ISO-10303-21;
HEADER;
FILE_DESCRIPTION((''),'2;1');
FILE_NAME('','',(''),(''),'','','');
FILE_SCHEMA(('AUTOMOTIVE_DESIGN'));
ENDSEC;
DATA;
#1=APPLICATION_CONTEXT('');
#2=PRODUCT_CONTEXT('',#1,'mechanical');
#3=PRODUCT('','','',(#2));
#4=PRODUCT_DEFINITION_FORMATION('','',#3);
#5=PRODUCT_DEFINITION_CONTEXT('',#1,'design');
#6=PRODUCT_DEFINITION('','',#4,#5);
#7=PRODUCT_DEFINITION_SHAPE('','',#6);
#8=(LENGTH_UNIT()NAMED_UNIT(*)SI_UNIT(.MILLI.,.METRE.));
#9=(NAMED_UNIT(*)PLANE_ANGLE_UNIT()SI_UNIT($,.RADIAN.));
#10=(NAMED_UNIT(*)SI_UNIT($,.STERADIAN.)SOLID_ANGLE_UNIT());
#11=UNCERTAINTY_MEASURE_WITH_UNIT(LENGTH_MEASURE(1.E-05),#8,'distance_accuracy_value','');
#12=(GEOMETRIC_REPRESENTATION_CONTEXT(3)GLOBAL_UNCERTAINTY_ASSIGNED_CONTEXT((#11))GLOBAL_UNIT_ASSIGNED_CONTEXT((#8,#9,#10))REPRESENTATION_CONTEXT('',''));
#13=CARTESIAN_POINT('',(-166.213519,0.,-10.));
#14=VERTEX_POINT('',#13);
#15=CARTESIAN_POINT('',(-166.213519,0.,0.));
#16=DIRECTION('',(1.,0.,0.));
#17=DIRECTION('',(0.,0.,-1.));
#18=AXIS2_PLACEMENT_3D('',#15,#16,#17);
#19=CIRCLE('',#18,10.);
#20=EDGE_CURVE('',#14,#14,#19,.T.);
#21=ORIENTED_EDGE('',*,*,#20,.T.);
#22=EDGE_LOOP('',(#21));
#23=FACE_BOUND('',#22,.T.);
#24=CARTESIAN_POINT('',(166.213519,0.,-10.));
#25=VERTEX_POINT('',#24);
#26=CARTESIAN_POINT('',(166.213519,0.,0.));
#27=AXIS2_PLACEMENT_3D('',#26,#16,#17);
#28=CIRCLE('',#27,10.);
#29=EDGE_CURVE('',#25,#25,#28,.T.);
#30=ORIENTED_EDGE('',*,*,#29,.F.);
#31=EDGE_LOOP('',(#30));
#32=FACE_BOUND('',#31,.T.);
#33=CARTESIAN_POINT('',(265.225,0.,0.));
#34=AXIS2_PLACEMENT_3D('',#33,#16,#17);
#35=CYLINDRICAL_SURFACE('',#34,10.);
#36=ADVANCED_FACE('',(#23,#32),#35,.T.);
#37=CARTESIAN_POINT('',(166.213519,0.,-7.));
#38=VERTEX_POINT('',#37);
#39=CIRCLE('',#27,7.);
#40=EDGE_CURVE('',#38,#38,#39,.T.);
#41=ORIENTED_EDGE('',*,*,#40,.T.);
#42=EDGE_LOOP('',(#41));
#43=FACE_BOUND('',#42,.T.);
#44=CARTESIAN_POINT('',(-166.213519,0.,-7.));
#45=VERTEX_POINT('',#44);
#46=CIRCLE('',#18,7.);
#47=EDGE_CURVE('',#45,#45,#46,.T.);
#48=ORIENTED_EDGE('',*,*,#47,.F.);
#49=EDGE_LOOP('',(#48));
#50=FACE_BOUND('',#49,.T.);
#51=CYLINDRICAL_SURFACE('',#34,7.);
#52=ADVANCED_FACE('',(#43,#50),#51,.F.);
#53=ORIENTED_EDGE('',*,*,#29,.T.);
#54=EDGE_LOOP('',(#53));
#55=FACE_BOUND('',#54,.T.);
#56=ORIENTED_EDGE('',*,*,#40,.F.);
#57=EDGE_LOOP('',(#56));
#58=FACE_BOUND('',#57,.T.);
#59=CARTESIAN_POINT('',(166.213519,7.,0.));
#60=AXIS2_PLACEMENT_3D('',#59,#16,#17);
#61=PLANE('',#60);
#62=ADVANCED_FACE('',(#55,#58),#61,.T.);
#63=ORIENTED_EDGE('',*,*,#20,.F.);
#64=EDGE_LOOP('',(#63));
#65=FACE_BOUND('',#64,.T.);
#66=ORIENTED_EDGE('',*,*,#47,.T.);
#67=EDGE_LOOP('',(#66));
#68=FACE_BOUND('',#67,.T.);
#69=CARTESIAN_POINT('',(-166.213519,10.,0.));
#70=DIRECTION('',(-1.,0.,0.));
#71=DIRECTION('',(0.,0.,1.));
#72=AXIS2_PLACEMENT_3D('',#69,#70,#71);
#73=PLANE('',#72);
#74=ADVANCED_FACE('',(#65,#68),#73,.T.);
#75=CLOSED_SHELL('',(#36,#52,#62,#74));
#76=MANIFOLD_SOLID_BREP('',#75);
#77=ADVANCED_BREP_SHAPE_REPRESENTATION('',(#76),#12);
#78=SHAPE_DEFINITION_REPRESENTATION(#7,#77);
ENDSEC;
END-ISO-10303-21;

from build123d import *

# Parameters (mm, degrees)
SKETCH1_W = 332.42703798
SKETCH1_H = 3


with BuildPart() as part:
    # Sketch1 → Revolve1 (revolve)
    with BuildSketch(Plane.XY, mode=Mode.PRIVATE) as revolve1_sk:
        with Locations((0, 8.5)):
            Rectangle(SKETCH1_W, SKETCH1_H)
    revolve(revolve1_sk.sketch.rotate(Axis((265.225, 0, 0), (-1, 0, 0)), 90), axis=Axis((265.225, 0, 0), (-1, 0, 0)))


solid = part.part
